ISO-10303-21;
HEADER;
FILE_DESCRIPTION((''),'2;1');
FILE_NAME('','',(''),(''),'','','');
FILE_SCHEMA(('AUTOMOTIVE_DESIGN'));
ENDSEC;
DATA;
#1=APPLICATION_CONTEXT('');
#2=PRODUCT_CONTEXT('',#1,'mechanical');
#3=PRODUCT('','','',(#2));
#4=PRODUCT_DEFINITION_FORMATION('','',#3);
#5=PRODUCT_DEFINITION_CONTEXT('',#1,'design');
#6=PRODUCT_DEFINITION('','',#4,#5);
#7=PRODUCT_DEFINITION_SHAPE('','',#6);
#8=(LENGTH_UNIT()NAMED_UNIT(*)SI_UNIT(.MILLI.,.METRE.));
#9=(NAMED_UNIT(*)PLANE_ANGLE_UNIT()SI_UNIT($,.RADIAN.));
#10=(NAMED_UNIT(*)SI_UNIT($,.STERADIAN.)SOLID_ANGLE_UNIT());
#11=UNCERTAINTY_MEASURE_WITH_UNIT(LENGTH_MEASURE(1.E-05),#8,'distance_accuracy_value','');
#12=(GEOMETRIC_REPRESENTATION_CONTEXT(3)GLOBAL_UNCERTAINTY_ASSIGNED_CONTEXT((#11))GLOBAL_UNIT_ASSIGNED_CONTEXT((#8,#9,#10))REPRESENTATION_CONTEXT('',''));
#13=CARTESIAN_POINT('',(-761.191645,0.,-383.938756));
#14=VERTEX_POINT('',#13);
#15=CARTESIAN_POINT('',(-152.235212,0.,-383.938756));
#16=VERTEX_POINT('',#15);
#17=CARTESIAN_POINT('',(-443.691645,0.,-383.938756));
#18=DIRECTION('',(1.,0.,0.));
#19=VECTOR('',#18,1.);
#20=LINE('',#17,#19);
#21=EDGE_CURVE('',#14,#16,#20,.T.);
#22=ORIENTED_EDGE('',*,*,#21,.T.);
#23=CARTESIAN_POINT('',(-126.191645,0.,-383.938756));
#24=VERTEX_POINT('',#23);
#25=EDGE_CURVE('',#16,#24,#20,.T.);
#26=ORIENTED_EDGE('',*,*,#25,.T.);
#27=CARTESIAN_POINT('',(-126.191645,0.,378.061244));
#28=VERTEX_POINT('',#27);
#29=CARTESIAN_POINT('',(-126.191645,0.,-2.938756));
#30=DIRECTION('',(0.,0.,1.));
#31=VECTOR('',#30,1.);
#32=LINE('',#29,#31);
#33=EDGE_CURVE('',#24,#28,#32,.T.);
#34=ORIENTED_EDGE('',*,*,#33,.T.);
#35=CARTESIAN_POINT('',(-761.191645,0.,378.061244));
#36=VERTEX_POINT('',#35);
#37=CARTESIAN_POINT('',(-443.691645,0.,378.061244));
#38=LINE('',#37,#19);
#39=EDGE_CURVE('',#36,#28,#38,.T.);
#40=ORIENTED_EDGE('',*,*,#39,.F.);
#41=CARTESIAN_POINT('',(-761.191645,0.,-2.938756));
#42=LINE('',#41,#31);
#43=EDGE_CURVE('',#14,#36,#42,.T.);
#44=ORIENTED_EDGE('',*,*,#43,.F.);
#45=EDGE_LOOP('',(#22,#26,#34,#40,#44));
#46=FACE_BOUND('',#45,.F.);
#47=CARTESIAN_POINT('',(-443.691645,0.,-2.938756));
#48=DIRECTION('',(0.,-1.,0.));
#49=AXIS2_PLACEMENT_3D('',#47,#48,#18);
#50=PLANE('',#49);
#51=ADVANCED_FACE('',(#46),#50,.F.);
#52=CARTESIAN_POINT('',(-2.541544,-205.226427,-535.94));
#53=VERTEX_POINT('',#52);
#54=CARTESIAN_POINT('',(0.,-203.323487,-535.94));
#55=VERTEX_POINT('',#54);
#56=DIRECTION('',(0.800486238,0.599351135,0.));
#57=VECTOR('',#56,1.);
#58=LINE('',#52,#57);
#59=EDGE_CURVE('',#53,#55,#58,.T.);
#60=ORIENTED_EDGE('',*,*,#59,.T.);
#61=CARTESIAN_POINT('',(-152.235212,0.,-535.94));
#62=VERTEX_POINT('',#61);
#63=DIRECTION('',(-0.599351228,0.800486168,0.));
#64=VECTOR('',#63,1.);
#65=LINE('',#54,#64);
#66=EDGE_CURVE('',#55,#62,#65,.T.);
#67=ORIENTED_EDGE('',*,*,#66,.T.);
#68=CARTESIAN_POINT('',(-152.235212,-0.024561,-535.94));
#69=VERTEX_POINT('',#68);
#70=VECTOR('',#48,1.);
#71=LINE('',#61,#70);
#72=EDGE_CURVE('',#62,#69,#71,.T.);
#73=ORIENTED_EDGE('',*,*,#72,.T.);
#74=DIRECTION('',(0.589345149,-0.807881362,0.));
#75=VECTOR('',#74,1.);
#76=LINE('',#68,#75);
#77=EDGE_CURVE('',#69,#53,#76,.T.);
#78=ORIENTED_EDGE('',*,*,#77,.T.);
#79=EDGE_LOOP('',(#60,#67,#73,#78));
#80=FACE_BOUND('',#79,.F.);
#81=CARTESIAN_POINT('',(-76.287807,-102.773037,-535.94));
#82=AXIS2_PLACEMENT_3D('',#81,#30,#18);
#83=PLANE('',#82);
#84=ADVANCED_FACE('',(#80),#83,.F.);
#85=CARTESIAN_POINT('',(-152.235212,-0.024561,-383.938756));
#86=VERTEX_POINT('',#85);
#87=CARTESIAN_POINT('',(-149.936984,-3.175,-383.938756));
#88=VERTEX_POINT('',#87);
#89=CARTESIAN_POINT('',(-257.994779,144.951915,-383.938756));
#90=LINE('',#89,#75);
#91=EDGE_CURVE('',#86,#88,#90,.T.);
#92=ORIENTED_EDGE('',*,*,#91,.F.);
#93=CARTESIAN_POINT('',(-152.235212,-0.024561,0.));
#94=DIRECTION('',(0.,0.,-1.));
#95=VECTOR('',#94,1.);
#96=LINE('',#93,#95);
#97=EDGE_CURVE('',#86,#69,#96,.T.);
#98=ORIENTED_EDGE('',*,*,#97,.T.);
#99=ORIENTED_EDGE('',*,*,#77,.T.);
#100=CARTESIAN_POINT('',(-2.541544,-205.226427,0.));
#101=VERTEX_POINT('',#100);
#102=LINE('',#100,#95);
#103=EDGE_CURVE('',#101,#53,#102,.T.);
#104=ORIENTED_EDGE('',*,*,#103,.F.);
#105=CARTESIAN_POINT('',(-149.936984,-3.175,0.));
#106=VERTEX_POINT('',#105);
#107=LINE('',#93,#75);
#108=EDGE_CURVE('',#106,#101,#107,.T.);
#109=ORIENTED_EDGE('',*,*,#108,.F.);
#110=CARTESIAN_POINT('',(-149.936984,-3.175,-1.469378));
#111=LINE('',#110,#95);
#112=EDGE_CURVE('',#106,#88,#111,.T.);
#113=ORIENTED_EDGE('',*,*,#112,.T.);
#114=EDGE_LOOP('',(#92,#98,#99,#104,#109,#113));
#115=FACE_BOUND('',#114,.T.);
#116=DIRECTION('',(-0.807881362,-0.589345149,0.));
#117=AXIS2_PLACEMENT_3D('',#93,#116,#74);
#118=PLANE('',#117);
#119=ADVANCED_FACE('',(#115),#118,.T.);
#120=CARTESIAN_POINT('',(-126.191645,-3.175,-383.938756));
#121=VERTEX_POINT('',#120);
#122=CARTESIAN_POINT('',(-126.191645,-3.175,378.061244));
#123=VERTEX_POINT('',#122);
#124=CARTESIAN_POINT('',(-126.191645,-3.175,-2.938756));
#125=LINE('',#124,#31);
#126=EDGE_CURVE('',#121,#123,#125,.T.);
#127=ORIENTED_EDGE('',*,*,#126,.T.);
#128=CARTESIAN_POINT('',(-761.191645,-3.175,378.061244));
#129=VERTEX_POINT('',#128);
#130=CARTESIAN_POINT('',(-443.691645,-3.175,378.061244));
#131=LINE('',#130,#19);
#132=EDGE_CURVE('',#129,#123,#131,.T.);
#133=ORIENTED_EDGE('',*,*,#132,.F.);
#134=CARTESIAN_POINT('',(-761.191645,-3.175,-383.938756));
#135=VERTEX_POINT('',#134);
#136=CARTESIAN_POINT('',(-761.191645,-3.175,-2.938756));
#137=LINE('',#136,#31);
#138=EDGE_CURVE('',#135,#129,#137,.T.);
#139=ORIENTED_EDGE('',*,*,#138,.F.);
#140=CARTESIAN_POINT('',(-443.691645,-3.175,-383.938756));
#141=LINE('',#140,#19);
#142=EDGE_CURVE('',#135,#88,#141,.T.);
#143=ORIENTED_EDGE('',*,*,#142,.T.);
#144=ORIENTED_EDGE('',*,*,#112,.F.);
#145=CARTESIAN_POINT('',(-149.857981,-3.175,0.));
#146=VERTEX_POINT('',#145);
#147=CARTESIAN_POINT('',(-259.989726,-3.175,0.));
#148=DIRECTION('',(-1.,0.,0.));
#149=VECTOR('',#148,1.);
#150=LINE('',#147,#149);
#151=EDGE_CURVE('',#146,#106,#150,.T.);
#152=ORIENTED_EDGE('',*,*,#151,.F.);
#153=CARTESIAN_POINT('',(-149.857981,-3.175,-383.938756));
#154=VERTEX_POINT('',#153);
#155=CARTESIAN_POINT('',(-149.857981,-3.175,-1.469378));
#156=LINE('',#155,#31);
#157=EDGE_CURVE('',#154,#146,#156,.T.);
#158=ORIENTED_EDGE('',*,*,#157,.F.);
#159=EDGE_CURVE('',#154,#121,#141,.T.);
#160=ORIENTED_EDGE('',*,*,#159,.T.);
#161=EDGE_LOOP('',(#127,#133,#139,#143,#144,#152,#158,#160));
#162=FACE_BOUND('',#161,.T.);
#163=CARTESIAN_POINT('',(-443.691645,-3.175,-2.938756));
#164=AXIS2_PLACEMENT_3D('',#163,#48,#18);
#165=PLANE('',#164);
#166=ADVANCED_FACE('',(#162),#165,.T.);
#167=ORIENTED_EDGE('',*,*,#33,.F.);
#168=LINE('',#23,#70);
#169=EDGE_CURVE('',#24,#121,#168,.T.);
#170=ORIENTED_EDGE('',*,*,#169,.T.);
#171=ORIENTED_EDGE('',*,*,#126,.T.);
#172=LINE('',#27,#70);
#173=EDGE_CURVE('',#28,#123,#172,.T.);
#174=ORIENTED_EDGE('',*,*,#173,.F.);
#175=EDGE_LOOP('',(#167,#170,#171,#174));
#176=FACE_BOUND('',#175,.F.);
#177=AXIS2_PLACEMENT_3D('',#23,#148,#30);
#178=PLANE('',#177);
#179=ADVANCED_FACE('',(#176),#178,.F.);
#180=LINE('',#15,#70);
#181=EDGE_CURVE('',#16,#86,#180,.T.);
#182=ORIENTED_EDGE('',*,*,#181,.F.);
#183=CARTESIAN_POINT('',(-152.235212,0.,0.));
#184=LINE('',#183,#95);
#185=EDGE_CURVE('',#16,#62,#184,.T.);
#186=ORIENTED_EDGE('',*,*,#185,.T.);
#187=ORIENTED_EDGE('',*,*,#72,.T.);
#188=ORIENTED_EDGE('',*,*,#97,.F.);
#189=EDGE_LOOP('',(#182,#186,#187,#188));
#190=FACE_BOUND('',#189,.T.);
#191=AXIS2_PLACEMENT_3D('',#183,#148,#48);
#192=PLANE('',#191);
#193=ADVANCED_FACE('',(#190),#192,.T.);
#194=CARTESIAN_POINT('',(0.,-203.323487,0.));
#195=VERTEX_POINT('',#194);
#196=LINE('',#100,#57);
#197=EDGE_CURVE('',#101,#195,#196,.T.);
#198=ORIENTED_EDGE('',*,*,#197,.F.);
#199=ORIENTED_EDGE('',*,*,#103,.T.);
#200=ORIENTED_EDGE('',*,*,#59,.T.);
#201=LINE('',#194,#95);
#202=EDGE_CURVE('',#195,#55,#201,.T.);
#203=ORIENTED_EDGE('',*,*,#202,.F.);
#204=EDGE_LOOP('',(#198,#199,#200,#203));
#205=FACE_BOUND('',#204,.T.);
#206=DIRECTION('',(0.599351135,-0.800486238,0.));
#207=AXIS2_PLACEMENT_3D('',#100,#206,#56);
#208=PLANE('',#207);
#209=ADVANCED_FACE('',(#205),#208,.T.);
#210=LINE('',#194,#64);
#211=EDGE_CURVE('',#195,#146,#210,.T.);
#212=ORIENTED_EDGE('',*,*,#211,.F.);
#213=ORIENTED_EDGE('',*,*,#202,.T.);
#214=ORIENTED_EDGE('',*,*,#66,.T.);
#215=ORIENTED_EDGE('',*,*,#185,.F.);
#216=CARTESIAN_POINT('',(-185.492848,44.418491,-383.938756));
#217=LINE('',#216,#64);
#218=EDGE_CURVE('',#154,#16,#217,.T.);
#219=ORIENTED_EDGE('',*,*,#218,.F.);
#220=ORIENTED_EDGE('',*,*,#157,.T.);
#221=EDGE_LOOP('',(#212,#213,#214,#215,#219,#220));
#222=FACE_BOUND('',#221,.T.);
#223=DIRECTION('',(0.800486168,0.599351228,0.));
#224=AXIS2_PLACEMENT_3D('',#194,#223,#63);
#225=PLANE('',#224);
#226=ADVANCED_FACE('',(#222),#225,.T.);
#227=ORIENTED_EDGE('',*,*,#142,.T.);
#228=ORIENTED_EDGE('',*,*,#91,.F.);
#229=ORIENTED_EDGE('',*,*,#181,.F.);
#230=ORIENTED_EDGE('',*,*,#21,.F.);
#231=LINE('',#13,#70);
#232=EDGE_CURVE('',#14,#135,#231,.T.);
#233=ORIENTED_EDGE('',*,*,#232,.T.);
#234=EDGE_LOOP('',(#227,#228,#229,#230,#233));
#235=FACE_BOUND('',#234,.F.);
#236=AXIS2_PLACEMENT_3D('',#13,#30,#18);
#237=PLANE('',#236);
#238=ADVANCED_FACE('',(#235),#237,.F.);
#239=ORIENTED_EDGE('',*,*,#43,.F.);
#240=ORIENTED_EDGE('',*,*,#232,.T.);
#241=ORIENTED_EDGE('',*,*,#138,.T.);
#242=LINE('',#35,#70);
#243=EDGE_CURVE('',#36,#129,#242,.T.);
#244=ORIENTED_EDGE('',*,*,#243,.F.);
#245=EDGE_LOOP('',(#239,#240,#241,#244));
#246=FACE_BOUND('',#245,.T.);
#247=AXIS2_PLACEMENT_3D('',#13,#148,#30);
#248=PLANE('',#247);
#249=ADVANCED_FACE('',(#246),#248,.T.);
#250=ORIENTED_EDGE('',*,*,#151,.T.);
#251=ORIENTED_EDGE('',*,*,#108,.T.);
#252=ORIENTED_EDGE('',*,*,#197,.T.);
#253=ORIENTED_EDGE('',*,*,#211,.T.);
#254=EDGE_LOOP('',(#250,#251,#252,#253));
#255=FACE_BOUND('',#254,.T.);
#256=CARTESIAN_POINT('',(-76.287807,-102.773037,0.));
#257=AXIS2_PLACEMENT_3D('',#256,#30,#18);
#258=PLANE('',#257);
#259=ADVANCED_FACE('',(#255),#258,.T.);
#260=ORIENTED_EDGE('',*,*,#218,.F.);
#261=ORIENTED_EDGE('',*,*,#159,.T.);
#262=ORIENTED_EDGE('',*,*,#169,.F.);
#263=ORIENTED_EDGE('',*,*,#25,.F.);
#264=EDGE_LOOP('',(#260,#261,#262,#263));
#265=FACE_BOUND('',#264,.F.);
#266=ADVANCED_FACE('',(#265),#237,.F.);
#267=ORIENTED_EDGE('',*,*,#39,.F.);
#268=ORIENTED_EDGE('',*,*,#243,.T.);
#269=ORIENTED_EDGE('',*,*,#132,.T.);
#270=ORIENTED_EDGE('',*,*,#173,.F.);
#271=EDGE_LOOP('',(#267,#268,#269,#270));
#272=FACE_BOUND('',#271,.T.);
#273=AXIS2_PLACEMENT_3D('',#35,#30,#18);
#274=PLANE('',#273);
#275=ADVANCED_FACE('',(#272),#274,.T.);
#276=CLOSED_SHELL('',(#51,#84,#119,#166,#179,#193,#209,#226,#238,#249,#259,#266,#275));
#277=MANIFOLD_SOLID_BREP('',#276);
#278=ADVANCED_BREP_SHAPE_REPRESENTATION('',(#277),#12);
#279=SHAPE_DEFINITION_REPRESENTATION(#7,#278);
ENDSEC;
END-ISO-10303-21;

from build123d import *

# Parameters (mm, degrees)
F0_W     = 635
F0_H     = 762
F1_DEPTH = 3.175
F3_DEPTH = 535.94


with BuildPart() as f1:
    # F0 (on Front) → F1 (new body)
    with BuildSketch(Plane.XZ):
        with Locations((-443.691645, -2.938756)):
            Rectangle(F0_W, F0_H)
    extrude(amount=F1_DEPTH)

    # F2 (on Top) → F3 (join)
    with BuildSketch(Plane.XY):
        Polygon((0, -203.323487), (-152.235212, 0), (-152.235212, -0.024561), (-2.541544, -205.226427), align=None)
    extrude(amount=-F3_DEPTH)


solid = f1.part
